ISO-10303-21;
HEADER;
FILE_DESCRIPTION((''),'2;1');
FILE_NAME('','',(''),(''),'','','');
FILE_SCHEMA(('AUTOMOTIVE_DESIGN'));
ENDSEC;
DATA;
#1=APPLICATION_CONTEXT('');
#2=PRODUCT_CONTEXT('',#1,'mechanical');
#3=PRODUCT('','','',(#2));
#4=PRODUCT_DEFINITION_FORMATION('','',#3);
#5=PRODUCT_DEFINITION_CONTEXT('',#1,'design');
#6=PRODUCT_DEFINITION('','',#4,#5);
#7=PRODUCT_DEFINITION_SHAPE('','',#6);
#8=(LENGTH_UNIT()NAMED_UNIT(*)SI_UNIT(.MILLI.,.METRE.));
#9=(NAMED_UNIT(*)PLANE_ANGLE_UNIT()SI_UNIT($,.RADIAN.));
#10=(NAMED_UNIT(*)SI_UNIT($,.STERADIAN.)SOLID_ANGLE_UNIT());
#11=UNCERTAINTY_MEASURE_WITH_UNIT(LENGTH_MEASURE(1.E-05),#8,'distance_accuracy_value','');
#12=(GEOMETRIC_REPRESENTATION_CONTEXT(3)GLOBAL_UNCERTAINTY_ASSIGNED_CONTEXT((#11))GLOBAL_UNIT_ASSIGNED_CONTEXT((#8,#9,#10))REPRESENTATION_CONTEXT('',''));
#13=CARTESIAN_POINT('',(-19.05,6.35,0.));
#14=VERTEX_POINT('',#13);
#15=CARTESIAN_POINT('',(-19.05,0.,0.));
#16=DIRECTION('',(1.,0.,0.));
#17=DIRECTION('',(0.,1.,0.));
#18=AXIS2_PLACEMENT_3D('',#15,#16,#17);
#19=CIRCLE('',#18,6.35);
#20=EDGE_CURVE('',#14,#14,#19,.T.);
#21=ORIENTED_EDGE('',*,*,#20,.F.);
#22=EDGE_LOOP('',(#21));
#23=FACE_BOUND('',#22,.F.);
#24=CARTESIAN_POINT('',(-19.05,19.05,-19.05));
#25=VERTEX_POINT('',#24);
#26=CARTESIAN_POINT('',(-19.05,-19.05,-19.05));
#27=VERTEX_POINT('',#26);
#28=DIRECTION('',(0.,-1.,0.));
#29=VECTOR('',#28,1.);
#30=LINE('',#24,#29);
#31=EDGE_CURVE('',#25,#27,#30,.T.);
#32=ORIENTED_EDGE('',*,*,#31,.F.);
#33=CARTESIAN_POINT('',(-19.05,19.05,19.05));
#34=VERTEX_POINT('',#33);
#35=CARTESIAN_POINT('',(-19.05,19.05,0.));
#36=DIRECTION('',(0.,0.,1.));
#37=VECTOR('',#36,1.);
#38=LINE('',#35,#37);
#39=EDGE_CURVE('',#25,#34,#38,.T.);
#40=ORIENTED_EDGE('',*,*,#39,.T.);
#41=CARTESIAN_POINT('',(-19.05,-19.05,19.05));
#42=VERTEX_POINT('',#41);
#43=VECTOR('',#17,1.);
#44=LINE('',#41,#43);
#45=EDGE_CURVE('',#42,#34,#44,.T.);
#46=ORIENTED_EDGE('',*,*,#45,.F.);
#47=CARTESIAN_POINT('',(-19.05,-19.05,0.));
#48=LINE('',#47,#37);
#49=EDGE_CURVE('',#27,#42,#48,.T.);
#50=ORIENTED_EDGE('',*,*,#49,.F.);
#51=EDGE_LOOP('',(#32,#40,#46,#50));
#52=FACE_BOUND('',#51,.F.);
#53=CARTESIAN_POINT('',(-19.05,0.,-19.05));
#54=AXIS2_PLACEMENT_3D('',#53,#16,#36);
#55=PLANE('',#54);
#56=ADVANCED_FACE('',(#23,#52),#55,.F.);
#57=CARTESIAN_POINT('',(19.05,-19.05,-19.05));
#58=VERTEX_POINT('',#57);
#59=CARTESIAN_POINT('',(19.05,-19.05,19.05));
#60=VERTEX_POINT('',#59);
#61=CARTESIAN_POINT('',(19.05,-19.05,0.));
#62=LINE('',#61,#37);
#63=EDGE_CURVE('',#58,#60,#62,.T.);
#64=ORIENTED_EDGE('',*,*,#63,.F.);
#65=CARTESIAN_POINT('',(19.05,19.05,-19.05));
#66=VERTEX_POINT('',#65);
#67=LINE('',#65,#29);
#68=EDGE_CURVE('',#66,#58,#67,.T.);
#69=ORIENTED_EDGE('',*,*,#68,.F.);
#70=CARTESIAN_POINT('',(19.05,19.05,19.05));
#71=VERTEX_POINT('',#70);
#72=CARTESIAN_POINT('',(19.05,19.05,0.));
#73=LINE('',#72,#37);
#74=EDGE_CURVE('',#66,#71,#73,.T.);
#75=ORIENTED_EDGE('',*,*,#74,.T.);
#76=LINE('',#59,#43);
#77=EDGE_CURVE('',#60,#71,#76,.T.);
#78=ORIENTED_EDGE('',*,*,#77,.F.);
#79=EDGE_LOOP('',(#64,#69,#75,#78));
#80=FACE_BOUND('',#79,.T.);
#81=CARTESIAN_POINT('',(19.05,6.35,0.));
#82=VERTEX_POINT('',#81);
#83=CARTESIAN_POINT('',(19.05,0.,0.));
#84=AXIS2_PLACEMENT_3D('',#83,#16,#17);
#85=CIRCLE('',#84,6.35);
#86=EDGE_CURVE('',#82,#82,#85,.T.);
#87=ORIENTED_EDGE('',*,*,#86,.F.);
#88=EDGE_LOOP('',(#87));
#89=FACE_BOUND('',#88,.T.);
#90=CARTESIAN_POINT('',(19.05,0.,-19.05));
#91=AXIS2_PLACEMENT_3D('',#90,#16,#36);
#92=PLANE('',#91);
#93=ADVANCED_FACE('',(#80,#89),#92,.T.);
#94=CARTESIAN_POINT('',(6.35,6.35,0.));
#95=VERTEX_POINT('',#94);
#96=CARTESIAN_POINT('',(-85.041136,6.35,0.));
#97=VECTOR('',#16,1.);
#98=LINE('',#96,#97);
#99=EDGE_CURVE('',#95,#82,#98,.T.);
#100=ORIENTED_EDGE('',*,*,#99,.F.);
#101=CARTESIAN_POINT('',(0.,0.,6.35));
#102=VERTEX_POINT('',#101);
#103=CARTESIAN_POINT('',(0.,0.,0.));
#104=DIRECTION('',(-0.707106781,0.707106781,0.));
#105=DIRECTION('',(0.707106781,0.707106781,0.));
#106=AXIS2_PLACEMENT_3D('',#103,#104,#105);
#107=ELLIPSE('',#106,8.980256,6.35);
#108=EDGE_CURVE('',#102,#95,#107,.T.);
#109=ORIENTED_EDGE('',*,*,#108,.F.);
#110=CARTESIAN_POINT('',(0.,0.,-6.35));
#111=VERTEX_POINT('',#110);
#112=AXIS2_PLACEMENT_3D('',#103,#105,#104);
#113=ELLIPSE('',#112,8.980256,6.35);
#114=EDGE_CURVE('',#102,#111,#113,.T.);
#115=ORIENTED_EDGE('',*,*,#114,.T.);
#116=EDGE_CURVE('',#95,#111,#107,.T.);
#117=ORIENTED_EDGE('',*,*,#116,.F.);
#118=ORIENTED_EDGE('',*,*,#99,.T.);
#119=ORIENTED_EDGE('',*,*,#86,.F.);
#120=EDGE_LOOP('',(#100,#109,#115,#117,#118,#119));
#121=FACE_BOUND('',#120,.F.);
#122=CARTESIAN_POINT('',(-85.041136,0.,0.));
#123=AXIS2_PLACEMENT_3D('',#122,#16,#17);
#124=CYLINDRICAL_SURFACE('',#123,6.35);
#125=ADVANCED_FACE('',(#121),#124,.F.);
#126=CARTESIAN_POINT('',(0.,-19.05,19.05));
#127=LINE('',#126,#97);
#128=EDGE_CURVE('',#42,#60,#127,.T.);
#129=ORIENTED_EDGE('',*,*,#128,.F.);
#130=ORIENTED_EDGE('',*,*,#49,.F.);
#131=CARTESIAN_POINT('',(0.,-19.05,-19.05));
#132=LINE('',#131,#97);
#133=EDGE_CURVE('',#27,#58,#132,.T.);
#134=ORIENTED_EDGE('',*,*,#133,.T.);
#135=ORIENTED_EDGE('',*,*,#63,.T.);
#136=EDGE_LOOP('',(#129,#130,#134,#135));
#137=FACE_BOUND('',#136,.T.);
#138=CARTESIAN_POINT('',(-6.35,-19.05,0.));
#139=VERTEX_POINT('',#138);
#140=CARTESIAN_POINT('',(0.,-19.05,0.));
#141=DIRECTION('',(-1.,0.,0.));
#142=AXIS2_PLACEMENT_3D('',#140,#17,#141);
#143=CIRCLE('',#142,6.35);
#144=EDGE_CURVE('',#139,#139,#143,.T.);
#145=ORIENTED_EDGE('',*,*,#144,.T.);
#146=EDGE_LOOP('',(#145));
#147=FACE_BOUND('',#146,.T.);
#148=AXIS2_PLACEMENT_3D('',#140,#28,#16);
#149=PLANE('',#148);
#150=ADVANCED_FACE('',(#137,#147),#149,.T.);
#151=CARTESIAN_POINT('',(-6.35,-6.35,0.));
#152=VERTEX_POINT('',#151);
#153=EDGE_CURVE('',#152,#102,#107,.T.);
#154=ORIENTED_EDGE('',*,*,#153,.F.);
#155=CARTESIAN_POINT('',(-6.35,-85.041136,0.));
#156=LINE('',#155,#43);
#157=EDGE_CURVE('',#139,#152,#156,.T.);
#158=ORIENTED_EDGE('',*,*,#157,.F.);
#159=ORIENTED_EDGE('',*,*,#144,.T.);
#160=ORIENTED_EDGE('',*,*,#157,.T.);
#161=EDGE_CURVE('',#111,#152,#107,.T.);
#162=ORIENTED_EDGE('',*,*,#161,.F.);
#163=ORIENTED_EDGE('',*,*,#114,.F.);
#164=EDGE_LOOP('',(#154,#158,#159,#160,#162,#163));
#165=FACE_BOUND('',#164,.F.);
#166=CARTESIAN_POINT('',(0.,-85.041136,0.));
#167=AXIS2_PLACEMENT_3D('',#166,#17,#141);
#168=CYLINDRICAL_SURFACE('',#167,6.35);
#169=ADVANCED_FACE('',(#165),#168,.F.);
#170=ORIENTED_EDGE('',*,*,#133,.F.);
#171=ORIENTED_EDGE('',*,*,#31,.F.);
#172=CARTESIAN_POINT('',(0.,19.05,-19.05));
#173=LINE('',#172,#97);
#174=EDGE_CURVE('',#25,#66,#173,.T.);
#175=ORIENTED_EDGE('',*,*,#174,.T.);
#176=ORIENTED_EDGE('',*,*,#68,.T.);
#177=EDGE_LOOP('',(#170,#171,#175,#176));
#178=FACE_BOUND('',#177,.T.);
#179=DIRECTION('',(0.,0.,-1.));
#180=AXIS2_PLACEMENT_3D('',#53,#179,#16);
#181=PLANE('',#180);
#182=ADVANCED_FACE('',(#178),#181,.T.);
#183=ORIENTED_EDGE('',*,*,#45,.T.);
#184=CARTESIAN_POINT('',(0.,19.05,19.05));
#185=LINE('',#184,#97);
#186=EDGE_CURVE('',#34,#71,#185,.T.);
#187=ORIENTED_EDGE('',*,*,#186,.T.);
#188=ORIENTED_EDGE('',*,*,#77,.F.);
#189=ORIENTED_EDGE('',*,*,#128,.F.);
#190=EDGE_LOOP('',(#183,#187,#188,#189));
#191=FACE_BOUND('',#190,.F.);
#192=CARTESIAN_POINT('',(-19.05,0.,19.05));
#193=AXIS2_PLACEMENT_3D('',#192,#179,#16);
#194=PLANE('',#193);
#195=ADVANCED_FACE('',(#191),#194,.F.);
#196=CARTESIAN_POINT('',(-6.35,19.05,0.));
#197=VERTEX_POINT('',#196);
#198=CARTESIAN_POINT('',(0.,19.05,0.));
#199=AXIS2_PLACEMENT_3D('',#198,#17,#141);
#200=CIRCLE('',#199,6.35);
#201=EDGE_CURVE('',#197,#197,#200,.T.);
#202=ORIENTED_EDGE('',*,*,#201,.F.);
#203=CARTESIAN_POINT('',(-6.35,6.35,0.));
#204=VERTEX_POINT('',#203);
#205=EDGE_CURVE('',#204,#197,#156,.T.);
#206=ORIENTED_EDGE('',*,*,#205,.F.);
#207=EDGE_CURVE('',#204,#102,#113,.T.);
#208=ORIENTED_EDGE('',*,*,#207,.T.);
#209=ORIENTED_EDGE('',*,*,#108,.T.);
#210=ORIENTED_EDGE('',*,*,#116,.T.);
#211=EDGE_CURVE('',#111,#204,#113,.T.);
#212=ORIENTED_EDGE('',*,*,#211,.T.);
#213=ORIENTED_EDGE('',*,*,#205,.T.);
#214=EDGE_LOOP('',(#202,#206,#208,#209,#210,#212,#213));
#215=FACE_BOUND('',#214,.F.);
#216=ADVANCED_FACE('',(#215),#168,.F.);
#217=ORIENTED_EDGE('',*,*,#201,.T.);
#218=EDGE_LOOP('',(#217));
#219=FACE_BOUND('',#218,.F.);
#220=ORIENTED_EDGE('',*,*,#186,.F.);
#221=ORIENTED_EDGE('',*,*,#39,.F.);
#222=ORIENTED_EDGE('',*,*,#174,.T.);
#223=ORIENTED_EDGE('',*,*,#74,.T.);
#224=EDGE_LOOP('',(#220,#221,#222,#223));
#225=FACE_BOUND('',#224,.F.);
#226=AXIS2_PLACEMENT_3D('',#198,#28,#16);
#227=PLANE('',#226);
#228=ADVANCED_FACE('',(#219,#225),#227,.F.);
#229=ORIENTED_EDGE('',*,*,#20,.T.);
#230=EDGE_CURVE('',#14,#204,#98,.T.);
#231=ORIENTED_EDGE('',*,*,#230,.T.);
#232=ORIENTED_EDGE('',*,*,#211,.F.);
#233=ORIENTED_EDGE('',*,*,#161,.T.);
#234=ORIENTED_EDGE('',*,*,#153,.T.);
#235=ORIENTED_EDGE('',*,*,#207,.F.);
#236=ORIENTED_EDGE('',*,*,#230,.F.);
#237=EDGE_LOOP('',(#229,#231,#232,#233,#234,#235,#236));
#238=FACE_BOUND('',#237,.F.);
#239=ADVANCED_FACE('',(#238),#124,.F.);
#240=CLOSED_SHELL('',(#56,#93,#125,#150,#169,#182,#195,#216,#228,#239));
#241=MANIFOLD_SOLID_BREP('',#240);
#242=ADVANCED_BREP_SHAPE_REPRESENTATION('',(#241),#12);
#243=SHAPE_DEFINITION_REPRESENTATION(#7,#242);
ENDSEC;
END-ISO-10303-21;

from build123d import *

# Parameters (mm, degrees)
F0_W       = 38.1
F0_H       = 38.1
F1_DEPTH   = 19.05
F4_D       = 12.7
F4_ON_F3_D = 12.7


with BuildPart() as f1:
    # F0 (on Front) → F1 (new body, symmetric)
    with BuildSketch(Plane.XZ):
        Rectangle(F0_W, F0_H)
    extrude(amount=F1_DEPTH, both=True)

    # F4 (through all)
    with Locations(Plane.XZ.offset(19.05)):
        with Locations((0, 0)):
            Hole(F4_D / 2)

    # F4 on F3 (through all)
    with Locations(Plane(origin=(-19.05, 0, 0), x_dir=(0, -1, 0), z_dir=(-1, 0, 0))):
        with Locations((0, 0)):
            Hole(F4_ON_F3_D / 2)


solid = f1.part
